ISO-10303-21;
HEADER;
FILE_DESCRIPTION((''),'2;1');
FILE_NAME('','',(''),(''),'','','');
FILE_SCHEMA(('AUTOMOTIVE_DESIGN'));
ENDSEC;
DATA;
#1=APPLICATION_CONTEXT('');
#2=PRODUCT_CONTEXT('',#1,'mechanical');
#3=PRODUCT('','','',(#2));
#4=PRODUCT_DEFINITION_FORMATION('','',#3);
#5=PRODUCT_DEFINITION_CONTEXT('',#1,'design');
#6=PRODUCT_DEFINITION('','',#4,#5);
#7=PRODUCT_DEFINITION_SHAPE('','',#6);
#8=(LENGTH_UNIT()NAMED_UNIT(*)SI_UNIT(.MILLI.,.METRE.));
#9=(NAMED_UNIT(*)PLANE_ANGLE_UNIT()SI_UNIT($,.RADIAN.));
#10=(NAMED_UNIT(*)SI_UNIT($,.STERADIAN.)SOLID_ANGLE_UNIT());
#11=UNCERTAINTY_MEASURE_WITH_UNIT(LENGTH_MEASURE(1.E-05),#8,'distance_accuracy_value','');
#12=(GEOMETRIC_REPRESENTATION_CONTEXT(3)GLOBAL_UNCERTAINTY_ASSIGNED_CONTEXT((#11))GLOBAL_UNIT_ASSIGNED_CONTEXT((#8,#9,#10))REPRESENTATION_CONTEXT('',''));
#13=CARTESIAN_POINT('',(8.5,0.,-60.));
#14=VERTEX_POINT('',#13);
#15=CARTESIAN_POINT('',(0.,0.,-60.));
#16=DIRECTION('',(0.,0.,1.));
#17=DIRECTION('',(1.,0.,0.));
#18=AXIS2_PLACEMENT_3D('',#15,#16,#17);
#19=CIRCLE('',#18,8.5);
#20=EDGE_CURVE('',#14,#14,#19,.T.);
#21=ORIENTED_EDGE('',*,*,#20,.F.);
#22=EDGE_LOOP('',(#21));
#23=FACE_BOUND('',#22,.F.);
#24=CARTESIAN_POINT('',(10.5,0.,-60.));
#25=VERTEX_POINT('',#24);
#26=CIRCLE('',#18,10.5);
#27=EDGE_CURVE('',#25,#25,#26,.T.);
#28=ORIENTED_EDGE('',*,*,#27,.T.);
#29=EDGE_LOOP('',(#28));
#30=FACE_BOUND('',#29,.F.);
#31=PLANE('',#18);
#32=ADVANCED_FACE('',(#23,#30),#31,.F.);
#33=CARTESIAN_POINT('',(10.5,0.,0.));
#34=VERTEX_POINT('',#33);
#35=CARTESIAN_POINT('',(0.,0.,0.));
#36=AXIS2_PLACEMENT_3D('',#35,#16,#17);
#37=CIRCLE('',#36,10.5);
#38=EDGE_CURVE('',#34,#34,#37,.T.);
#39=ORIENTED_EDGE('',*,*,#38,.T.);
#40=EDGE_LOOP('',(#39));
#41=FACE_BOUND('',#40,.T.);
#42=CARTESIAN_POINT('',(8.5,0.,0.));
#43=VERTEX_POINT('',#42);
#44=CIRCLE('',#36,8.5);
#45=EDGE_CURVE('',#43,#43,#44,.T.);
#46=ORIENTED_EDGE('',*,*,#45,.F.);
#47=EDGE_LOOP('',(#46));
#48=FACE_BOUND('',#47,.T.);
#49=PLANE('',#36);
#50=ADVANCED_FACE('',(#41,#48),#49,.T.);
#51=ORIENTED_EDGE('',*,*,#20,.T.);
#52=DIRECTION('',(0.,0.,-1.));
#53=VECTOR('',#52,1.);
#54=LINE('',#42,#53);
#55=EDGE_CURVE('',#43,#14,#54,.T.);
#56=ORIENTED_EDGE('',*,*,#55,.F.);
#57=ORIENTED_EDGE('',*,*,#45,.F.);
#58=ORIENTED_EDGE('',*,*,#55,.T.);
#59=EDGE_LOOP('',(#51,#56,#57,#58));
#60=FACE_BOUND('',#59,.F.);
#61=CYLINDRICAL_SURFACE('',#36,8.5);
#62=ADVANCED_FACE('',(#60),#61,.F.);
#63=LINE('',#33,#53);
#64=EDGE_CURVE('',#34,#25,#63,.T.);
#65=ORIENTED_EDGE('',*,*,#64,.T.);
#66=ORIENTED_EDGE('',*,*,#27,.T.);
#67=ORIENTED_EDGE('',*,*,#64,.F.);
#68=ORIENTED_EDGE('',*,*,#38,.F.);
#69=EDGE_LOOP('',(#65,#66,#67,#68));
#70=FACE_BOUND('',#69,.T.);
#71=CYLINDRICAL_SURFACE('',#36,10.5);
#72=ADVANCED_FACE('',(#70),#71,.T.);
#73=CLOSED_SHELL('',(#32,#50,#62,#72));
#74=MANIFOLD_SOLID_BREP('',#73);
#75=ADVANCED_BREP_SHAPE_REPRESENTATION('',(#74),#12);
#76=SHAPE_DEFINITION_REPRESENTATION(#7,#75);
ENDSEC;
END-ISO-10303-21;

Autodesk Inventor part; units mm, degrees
ref_plane "YZ Plane" through (0, 0, 0) normal (1, 0, 0) x (0, 1, 0)
ref_plane "XZ Plane" through (0, 0, 0) normal (0, 1, 0) x (-1, 0, 0)
ref_plane "XY Plane" through (0, 0, 0) normal (0, 0, 1) x (1, 0, 0)
sketch "Sketch11" plane through (0, 0, 0) normal (0, 0, 1) x (1, 0, 0)
  circle A0 centre (0, 0) radius 10.5
  circle A1 centre (0, 0) radius 8.5
  dimension "d187" = 21
  dimension "d188" = 2
extrude "Extrusion5" add sketch "Sketch11" against normal blind 60
properties part number "TKS 3551 FDS thread  tube10" material "Stainless Steel"
